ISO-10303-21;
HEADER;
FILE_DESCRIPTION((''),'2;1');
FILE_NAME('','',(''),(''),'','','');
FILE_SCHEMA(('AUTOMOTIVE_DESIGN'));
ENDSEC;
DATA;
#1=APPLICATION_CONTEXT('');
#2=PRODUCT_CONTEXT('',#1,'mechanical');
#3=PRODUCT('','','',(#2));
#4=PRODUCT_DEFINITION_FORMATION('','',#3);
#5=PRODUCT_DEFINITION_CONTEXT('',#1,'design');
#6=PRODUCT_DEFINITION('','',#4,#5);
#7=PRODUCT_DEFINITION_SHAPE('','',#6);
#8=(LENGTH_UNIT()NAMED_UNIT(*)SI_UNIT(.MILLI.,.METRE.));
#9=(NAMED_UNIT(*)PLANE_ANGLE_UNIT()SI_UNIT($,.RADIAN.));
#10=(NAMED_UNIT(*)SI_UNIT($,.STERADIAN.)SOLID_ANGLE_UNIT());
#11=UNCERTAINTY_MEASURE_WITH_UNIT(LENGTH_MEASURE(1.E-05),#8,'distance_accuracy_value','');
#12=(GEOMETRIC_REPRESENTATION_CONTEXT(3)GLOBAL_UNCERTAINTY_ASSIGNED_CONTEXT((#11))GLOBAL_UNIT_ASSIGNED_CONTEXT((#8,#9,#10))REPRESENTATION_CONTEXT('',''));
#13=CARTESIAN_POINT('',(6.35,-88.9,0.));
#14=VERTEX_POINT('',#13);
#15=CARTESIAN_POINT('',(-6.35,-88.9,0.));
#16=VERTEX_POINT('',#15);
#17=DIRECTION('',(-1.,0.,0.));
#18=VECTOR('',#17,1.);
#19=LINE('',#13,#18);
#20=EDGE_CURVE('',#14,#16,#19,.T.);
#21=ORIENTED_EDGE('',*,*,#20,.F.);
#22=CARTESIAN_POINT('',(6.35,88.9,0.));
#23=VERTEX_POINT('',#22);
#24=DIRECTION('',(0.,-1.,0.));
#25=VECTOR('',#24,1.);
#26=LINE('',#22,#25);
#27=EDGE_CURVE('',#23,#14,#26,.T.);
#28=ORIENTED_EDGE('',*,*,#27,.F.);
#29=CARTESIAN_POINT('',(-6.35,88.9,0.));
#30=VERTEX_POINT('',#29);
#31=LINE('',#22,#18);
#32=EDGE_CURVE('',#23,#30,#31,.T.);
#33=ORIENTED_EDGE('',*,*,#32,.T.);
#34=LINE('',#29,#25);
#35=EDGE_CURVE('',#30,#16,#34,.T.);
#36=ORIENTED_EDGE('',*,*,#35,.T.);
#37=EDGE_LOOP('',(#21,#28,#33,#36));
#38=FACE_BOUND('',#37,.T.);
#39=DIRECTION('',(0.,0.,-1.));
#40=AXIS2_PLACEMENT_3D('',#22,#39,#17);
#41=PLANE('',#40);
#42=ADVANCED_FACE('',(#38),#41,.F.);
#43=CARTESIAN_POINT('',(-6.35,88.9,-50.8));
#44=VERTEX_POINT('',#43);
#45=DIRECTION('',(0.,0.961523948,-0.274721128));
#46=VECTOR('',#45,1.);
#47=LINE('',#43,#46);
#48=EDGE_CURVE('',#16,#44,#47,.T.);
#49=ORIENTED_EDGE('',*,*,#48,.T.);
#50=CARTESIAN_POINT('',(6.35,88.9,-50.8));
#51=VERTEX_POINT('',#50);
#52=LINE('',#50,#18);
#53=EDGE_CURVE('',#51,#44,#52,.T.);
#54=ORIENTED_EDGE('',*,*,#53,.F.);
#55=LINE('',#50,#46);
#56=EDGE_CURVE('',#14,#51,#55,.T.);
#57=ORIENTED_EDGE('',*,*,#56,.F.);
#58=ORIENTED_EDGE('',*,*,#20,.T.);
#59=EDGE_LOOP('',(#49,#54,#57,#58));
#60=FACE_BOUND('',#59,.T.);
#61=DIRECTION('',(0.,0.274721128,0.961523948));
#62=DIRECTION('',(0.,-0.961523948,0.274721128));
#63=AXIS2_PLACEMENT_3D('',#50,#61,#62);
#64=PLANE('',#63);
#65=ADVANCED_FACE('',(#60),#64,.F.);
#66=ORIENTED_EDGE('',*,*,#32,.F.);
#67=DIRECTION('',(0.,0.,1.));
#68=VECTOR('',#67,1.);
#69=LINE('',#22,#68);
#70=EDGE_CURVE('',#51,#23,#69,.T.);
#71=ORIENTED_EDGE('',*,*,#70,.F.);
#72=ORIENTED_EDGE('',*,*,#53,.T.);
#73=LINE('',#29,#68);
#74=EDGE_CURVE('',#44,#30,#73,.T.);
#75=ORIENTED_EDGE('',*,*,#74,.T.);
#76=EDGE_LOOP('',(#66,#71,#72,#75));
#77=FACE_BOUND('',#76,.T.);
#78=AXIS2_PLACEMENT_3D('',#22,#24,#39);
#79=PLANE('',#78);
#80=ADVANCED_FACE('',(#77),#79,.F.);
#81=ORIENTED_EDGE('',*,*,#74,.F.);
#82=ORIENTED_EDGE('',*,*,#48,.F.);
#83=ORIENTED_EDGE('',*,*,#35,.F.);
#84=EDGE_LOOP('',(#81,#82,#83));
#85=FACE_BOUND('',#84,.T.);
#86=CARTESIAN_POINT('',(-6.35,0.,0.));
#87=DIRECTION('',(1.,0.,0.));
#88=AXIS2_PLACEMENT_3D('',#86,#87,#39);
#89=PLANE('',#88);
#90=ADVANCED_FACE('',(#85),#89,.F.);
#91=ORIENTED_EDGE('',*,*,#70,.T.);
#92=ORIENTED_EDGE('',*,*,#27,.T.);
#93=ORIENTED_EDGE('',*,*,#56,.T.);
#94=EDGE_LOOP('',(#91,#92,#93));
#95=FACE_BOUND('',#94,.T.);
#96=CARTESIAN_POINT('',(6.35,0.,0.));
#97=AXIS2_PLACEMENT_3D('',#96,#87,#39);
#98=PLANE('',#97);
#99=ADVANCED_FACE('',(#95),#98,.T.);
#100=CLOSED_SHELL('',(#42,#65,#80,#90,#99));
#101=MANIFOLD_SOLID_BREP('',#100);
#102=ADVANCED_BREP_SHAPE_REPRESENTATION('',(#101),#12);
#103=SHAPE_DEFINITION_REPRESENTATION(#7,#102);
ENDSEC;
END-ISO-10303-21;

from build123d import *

# Parameters (mm, degrees)
BOSS_EXTRUDE1_DEPTH = 6.35


with BuildPart() as part:
    # Sketch2 → Boss-Extrude1 (new body, symmetric)
    with BuildSketch(Plane(origin=(0, 0, 0), x_dir=(0, 0, -1), z_dir=(1, 0, 0))):
        Polygon((0, 88.9), (50.8, 88.9), (0, -88.9), align=None)
    extrude(amount=BOSS_EXTRUDE1_DEPTH, both=True)


solid = part.part
